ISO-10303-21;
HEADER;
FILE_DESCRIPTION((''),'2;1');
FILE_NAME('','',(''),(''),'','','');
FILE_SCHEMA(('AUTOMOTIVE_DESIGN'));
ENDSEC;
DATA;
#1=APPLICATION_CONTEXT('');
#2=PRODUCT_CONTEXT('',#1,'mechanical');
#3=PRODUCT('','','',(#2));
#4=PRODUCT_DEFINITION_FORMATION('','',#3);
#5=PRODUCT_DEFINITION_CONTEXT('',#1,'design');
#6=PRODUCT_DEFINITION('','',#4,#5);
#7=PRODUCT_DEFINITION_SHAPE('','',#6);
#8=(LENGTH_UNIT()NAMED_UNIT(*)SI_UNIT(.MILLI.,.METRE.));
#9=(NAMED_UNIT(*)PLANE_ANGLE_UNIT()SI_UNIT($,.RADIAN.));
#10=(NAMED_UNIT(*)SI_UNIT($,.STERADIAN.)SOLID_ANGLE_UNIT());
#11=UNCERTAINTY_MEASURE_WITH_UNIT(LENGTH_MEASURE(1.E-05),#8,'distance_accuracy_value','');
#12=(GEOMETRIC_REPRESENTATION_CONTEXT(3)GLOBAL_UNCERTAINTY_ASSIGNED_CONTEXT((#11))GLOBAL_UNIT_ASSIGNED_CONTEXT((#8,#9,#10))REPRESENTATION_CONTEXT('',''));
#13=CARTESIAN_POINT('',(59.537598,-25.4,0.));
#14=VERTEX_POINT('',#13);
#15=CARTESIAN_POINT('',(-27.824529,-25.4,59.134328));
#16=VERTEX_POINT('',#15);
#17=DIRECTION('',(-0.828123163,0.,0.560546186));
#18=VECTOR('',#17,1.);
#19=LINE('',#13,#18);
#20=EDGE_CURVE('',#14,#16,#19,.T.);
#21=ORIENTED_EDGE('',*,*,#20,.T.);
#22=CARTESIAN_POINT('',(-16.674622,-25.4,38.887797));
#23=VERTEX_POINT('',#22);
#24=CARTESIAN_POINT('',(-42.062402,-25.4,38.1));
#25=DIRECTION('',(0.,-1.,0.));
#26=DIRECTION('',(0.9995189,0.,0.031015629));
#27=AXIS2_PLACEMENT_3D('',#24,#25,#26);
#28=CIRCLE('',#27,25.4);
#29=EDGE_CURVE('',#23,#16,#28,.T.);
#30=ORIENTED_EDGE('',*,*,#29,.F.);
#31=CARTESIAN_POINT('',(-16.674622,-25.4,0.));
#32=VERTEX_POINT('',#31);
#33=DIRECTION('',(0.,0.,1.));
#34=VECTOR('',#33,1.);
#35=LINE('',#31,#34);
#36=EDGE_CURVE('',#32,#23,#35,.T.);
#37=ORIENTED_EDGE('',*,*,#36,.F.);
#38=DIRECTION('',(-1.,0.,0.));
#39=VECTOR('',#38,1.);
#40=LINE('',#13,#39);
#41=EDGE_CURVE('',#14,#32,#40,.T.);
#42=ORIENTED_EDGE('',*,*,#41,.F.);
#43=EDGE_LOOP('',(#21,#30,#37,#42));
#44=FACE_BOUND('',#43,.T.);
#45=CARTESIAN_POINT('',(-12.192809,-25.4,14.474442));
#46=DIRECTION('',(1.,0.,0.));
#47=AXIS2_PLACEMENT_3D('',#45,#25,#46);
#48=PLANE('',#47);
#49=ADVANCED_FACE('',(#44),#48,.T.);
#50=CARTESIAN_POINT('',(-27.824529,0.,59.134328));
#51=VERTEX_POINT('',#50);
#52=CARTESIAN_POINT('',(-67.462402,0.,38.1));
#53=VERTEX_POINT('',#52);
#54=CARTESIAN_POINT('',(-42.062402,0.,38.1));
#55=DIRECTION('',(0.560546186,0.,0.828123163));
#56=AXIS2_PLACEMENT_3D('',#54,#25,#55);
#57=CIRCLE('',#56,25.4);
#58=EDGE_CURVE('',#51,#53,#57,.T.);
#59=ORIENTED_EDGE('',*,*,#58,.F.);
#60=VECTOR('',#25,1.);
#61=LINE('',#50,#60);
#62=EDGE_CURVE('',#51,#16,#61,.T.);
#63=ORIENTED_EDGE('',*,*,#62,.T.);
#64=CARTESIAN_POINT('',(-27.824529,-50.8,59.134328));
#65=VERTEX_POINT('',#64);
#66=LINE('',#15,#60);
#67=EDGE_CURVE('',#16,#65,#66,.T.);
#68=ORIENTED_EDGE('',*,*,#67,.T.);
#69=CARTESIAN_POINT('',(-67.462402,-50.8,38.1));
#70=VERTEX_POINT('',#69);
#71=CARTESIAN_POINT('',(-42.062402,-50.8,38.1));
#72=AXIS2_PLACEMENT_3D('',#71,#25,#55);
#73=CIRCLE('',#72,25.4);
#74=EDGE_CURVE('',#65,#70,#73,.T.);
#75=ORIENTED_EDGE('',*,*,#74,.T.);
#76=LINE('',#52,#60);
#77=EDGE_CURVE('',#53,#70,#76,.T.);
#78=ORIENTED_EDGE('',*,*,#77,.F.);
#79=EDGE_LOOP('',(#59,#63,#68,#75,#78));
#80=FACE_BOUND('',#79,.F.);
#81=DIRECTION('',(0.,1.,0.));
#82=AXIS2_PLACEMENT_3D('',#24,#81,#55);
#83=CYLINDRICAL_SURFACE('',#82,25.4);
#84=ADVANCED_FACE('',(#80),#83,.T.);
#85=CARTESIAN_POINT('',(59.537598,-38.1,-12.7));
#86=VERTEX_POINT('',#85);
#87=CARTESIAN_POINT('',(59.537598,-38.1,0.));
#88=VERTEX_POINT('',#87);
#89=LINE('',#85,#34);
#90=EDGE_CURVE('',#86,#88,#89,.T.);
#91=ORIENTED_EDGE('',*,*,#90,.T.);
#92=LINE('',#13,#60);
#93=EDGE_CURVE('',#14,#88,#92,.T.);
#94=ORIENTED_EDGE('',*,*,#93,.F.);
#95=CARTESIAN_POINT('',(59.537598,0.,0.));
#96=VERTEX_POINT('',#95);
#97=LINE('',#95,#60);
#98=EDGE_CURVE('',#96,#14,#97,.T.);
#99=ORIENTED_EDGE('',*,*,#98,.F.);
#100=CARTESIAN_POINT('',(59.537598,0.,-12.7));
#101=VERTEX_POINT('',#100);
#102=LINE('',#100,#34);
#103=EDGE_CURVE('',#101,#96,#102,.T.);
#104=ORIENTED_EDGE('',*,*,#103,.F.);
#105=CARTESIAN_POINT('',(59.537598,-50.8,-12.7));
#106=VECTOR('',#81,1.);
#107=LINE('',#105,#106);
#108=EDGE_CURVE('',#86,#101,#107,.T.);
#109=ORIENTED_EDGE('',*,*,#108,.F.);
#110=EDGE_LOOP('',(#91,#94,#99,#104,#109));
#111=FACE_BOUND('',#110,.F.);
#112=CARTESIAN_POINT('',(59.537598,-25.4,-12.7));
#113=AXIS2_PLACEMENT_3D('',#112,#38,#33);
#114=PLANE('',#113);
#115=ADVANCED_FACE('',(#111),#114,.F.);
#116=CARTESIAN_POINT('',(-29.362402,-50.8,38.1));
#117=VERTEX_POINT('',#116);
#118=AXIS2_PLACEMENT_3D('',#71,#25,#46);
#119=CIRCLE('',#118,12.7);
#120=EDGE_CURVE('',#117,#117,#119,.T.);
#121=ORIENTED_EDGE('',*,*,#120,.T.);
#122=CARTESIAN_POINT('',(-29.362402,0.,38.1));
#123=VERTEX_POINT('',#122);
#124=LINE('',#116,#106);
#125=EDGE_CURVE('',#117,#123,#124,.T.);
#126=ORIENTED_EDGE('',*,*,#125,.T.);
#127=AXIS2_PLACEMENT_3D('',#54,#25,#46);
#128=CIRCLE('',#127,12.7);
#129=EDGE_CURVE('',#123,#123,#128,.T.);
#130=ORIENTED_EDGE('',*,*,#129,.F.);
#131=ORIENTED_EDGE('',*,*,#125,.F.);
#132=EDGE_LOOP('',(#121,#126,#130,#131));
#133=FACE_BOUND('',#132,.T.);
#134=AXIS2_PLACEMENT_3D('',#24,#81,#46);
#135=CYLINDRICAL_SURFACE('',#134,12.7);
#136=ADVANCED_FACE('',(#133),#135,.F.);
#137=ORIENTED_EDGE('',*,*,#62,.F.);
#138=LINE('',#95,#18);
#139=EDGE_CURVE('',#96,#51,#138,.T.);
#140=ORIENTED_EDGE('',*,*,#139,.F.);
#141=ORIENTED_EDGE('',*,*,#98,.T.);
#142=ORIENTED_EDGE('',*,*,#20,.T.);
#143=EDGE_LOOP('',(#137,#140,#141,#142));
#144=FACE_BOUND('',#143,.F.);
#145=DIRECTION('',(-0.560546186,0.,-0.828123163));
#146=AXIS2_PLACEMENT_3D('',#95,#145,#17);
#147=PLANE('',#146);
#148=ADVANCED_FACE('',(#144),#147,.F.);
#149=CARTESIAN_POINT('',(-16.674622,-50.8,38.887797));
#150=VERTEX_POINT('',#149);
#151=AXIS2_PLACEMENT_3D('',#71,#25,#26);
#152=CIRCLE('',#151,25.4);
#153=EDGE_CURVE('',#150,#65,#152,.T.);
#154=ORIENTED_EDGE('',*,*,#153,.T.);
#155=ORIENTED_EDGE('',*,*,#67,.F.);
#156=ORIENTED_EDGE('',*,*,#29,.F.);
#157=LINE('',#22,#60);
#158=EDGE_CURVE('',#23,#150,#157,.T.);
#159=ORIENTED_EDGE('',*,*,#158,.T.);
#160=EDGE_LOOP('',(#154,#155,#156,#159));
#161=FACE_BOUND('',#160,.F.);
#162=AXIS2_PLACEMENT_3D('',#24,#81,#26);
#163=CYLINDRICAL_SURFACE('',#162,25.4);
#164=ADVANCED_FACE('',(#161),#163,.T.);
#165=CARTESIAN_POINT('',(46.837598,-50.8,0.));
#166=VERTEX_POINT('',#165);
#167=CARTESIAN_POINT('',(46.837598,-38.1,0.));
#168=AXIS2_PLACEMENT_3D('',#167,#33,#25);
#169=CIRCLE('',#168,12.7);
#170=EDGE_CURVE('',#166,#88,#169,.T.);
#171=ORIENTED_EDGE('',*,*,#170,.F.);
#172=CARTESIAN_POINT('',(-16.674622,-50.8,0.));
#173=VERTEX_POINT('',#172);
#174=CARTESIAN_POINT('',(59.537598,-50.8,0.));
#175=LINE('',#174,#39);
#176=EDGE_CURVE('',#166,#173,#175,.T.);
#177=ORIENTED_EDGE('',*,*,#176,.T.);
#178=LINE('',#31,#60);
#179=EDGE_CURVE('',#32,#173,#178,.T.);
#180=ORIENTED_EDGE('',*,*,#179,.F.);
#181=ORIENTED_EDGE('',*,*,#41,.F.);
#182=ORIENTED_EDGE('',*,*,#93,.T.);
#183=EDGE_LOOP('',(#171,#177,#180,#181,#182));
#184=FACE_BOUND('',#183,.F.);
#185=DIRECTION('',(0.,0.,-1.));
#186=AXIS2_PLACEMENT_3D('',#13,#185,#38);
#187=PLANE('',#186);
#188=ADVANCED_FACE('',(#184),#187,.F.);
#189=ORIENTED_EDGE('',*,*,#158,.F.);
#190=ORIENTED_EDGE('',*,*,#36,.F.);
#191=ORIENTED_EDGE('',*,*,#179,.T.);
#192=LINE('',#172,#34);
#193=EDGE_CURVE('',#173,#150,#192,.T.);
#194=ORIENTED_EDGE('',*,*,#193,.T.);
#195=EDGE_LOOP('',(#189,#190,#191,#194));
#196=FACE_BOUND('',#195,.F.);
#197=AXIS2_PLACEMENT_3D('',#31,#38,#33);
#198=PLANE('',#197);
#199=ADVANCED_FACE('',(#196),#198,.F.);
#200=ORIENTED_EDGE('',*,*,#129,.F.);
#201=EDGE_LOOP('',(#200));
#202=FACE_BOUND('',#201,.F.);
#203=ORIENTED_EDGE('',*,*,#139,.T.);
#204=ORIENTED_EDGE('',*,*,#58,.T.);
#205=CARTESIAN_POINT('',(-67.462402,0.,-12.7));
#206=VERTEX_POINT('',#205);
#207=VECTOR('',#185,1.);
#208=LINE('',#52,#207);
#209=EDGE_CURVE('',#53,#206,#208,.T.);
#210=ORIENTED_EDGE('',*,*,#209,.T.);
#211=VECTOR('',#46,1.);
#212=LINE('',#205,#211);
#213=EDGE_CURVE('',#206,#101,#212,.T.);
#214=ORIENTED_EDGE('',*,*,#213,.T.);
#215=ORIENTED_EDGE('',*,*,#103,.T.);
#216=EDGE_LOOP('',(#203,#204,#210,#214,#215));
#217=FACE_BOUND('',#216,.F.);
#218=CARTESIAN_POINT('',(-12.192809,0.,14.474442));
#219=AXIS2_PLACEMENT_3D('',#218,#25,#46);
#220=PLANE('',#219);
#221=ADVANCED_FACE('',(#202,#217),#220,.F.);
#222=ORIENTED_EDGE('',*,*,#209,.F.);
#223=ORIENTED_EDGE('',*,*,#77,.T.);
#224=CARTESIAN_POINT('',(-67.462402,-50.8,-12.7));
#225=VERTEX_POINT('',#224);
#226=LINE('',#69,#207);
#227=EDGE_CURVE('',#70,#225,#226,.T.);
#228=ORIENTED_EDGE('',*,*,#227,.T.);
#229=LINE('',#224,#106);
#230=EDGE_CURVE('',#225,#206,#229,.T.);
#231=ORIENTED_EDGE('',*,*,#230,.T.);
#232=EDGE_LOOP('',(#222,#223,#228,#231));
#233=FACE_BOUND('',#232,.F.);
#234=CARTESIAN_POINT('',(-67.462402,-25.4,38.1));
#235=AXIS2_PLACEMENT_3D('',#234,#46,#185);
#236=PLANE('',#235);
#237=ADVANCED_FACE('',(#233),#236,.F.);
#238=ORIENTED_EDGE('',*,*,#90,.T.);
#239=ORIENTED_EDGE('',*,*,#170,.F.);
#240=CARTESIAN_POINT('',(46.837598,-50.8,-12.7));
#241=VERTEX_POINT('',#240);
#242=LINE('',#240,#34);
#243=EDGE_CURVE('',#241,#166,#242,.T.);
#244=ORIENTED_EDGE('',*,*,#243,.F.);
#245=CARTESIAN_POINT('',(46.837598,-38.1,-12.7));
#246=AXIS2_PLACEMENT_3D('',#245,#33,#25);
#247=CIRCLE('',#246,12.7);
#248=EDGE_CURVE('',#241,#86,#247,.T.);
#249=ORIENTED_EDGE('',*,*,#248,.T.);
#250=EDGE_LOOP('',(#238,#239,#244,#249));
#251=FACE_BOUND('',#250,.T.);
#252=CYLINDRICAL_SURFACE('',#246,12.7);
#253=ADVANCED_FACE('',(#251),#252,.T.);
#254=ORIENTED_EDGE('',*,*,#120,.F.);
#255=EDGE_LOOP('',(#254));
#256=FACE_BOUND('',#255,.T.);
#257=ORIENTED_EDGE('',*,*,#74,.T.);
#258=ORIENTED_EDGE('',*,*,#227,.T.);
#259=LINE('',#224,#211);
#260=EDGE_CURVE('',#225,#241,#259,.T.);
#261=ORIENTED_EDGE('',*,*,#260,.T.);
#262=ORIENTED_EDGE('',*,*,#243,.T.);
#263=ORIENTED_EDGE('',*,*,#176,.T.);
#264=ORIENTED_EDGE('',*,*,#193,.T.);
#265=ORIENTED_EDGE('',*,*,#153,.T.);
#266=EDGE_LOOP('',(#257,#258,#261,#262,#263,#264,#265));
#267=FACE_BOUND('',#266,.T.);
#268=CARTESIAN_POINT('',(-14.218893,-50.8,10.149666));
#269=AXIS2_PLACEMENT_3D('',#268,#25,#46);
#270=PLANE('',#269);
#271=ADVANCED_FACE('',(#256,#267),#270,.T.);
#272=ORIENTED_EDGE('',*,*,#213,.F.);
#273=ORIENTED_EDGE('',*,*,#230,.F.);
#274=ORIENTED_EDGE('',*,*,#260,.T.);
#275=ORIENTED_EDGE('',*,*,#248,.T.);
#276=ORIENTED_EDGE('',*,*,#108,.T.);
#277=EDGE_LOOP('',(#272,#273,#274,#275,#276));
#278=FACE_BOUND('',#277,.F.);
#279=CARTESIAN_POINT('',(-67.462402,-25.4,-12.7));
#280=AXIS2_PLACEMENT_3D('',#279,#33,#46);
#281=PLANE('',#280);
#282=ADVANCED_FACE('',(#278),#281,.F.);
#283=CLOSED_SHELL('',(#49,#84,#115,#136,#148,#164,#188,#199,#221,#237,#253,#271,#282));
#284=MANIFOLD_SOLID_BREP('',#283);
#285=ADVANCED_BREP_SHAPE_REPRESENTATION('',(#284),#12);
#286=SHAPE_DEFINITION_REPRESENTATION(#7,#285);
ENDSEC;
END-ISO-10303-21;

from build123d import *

# Parameters (mm, degrees)
F0_R     = 12.7
F1_DEPTH = 25.4
F2_R     = 12.7
F3_DEPTH = 25.4
F4_R     = 12.7


with BuildPart() as f1:
    # F0 (on Front) → F1 (new body)
    with BuildSketch(Plane.XZ):
        with BuildLine():
            Line((59.5375982285, 0), (-27.8245286434, 59.1343283417))
            ThreePointArc((-27.8245286434, 59.1343283417), (-53.9686611032, 60.5365993129), (-67.4624017715, 38.1))
            Line((-67.4624017715, 38.1), (-67.4624017715, -12.7))
            Line((-67.4624017715, -12.7), (59.5375982285, -12.7))
            Line((59.5375982285, -12.7), (59.5375982285, 0))
        make_face()
        with Locations((-42.0624017715, 38.1)):
            Circle(F0_R, mode=Mode.SUBTRACT)
    extrude(amount=F1_DEPTH)

    # F2 (on face) → F3 (join)
    with BuildSketch(Plane.XZ.offset(25.4)):
        with BuildLine():
            Line((-16.6746217208, 0), (-16.6746217208, 37.3122030112))
            Line((-16.6746217208, 37.3122030112), (-16.6746217208, 38.8877969888))
            ThreePointArc((-16.6746217208, 38.8877969888), (-19.8131634606, 50.352811701), (-27.8245286434, 59.1343283417))
            ThreePointArc((-27.8245286434, 59.1343283417), (-53.9686611032, 60.5365993129), (-67.4624017715, 38.1))
            Line((-67.4624017715, 38.1), (-67.4624017715, 0))
            Line((-67.4624017715, 0), (-67.4624017715, -12.7))
            Line((-67.4624017715, -12.7), (59.5375982285, -12.7))
            Line((59.5375982285, -12.7), (59.5375982285, 0))
            Line((59.5375982285, 0), (-16.6746217208, 0))
        make_face()
        with Locations((-42.0624017715, 38.1)):
            Circle(F2_R, mode=Mode.SUBTRACT)
    extrude(amount=F3_DEPTH)

    # F4
    f4_edges = [f1.edges().sort_by_distance(p)[0] for p in [
        (59.537598, -50.8, -6.35),
    ]]
    fillet(f4_edges, radius=F4_R)


solid = f1.part
